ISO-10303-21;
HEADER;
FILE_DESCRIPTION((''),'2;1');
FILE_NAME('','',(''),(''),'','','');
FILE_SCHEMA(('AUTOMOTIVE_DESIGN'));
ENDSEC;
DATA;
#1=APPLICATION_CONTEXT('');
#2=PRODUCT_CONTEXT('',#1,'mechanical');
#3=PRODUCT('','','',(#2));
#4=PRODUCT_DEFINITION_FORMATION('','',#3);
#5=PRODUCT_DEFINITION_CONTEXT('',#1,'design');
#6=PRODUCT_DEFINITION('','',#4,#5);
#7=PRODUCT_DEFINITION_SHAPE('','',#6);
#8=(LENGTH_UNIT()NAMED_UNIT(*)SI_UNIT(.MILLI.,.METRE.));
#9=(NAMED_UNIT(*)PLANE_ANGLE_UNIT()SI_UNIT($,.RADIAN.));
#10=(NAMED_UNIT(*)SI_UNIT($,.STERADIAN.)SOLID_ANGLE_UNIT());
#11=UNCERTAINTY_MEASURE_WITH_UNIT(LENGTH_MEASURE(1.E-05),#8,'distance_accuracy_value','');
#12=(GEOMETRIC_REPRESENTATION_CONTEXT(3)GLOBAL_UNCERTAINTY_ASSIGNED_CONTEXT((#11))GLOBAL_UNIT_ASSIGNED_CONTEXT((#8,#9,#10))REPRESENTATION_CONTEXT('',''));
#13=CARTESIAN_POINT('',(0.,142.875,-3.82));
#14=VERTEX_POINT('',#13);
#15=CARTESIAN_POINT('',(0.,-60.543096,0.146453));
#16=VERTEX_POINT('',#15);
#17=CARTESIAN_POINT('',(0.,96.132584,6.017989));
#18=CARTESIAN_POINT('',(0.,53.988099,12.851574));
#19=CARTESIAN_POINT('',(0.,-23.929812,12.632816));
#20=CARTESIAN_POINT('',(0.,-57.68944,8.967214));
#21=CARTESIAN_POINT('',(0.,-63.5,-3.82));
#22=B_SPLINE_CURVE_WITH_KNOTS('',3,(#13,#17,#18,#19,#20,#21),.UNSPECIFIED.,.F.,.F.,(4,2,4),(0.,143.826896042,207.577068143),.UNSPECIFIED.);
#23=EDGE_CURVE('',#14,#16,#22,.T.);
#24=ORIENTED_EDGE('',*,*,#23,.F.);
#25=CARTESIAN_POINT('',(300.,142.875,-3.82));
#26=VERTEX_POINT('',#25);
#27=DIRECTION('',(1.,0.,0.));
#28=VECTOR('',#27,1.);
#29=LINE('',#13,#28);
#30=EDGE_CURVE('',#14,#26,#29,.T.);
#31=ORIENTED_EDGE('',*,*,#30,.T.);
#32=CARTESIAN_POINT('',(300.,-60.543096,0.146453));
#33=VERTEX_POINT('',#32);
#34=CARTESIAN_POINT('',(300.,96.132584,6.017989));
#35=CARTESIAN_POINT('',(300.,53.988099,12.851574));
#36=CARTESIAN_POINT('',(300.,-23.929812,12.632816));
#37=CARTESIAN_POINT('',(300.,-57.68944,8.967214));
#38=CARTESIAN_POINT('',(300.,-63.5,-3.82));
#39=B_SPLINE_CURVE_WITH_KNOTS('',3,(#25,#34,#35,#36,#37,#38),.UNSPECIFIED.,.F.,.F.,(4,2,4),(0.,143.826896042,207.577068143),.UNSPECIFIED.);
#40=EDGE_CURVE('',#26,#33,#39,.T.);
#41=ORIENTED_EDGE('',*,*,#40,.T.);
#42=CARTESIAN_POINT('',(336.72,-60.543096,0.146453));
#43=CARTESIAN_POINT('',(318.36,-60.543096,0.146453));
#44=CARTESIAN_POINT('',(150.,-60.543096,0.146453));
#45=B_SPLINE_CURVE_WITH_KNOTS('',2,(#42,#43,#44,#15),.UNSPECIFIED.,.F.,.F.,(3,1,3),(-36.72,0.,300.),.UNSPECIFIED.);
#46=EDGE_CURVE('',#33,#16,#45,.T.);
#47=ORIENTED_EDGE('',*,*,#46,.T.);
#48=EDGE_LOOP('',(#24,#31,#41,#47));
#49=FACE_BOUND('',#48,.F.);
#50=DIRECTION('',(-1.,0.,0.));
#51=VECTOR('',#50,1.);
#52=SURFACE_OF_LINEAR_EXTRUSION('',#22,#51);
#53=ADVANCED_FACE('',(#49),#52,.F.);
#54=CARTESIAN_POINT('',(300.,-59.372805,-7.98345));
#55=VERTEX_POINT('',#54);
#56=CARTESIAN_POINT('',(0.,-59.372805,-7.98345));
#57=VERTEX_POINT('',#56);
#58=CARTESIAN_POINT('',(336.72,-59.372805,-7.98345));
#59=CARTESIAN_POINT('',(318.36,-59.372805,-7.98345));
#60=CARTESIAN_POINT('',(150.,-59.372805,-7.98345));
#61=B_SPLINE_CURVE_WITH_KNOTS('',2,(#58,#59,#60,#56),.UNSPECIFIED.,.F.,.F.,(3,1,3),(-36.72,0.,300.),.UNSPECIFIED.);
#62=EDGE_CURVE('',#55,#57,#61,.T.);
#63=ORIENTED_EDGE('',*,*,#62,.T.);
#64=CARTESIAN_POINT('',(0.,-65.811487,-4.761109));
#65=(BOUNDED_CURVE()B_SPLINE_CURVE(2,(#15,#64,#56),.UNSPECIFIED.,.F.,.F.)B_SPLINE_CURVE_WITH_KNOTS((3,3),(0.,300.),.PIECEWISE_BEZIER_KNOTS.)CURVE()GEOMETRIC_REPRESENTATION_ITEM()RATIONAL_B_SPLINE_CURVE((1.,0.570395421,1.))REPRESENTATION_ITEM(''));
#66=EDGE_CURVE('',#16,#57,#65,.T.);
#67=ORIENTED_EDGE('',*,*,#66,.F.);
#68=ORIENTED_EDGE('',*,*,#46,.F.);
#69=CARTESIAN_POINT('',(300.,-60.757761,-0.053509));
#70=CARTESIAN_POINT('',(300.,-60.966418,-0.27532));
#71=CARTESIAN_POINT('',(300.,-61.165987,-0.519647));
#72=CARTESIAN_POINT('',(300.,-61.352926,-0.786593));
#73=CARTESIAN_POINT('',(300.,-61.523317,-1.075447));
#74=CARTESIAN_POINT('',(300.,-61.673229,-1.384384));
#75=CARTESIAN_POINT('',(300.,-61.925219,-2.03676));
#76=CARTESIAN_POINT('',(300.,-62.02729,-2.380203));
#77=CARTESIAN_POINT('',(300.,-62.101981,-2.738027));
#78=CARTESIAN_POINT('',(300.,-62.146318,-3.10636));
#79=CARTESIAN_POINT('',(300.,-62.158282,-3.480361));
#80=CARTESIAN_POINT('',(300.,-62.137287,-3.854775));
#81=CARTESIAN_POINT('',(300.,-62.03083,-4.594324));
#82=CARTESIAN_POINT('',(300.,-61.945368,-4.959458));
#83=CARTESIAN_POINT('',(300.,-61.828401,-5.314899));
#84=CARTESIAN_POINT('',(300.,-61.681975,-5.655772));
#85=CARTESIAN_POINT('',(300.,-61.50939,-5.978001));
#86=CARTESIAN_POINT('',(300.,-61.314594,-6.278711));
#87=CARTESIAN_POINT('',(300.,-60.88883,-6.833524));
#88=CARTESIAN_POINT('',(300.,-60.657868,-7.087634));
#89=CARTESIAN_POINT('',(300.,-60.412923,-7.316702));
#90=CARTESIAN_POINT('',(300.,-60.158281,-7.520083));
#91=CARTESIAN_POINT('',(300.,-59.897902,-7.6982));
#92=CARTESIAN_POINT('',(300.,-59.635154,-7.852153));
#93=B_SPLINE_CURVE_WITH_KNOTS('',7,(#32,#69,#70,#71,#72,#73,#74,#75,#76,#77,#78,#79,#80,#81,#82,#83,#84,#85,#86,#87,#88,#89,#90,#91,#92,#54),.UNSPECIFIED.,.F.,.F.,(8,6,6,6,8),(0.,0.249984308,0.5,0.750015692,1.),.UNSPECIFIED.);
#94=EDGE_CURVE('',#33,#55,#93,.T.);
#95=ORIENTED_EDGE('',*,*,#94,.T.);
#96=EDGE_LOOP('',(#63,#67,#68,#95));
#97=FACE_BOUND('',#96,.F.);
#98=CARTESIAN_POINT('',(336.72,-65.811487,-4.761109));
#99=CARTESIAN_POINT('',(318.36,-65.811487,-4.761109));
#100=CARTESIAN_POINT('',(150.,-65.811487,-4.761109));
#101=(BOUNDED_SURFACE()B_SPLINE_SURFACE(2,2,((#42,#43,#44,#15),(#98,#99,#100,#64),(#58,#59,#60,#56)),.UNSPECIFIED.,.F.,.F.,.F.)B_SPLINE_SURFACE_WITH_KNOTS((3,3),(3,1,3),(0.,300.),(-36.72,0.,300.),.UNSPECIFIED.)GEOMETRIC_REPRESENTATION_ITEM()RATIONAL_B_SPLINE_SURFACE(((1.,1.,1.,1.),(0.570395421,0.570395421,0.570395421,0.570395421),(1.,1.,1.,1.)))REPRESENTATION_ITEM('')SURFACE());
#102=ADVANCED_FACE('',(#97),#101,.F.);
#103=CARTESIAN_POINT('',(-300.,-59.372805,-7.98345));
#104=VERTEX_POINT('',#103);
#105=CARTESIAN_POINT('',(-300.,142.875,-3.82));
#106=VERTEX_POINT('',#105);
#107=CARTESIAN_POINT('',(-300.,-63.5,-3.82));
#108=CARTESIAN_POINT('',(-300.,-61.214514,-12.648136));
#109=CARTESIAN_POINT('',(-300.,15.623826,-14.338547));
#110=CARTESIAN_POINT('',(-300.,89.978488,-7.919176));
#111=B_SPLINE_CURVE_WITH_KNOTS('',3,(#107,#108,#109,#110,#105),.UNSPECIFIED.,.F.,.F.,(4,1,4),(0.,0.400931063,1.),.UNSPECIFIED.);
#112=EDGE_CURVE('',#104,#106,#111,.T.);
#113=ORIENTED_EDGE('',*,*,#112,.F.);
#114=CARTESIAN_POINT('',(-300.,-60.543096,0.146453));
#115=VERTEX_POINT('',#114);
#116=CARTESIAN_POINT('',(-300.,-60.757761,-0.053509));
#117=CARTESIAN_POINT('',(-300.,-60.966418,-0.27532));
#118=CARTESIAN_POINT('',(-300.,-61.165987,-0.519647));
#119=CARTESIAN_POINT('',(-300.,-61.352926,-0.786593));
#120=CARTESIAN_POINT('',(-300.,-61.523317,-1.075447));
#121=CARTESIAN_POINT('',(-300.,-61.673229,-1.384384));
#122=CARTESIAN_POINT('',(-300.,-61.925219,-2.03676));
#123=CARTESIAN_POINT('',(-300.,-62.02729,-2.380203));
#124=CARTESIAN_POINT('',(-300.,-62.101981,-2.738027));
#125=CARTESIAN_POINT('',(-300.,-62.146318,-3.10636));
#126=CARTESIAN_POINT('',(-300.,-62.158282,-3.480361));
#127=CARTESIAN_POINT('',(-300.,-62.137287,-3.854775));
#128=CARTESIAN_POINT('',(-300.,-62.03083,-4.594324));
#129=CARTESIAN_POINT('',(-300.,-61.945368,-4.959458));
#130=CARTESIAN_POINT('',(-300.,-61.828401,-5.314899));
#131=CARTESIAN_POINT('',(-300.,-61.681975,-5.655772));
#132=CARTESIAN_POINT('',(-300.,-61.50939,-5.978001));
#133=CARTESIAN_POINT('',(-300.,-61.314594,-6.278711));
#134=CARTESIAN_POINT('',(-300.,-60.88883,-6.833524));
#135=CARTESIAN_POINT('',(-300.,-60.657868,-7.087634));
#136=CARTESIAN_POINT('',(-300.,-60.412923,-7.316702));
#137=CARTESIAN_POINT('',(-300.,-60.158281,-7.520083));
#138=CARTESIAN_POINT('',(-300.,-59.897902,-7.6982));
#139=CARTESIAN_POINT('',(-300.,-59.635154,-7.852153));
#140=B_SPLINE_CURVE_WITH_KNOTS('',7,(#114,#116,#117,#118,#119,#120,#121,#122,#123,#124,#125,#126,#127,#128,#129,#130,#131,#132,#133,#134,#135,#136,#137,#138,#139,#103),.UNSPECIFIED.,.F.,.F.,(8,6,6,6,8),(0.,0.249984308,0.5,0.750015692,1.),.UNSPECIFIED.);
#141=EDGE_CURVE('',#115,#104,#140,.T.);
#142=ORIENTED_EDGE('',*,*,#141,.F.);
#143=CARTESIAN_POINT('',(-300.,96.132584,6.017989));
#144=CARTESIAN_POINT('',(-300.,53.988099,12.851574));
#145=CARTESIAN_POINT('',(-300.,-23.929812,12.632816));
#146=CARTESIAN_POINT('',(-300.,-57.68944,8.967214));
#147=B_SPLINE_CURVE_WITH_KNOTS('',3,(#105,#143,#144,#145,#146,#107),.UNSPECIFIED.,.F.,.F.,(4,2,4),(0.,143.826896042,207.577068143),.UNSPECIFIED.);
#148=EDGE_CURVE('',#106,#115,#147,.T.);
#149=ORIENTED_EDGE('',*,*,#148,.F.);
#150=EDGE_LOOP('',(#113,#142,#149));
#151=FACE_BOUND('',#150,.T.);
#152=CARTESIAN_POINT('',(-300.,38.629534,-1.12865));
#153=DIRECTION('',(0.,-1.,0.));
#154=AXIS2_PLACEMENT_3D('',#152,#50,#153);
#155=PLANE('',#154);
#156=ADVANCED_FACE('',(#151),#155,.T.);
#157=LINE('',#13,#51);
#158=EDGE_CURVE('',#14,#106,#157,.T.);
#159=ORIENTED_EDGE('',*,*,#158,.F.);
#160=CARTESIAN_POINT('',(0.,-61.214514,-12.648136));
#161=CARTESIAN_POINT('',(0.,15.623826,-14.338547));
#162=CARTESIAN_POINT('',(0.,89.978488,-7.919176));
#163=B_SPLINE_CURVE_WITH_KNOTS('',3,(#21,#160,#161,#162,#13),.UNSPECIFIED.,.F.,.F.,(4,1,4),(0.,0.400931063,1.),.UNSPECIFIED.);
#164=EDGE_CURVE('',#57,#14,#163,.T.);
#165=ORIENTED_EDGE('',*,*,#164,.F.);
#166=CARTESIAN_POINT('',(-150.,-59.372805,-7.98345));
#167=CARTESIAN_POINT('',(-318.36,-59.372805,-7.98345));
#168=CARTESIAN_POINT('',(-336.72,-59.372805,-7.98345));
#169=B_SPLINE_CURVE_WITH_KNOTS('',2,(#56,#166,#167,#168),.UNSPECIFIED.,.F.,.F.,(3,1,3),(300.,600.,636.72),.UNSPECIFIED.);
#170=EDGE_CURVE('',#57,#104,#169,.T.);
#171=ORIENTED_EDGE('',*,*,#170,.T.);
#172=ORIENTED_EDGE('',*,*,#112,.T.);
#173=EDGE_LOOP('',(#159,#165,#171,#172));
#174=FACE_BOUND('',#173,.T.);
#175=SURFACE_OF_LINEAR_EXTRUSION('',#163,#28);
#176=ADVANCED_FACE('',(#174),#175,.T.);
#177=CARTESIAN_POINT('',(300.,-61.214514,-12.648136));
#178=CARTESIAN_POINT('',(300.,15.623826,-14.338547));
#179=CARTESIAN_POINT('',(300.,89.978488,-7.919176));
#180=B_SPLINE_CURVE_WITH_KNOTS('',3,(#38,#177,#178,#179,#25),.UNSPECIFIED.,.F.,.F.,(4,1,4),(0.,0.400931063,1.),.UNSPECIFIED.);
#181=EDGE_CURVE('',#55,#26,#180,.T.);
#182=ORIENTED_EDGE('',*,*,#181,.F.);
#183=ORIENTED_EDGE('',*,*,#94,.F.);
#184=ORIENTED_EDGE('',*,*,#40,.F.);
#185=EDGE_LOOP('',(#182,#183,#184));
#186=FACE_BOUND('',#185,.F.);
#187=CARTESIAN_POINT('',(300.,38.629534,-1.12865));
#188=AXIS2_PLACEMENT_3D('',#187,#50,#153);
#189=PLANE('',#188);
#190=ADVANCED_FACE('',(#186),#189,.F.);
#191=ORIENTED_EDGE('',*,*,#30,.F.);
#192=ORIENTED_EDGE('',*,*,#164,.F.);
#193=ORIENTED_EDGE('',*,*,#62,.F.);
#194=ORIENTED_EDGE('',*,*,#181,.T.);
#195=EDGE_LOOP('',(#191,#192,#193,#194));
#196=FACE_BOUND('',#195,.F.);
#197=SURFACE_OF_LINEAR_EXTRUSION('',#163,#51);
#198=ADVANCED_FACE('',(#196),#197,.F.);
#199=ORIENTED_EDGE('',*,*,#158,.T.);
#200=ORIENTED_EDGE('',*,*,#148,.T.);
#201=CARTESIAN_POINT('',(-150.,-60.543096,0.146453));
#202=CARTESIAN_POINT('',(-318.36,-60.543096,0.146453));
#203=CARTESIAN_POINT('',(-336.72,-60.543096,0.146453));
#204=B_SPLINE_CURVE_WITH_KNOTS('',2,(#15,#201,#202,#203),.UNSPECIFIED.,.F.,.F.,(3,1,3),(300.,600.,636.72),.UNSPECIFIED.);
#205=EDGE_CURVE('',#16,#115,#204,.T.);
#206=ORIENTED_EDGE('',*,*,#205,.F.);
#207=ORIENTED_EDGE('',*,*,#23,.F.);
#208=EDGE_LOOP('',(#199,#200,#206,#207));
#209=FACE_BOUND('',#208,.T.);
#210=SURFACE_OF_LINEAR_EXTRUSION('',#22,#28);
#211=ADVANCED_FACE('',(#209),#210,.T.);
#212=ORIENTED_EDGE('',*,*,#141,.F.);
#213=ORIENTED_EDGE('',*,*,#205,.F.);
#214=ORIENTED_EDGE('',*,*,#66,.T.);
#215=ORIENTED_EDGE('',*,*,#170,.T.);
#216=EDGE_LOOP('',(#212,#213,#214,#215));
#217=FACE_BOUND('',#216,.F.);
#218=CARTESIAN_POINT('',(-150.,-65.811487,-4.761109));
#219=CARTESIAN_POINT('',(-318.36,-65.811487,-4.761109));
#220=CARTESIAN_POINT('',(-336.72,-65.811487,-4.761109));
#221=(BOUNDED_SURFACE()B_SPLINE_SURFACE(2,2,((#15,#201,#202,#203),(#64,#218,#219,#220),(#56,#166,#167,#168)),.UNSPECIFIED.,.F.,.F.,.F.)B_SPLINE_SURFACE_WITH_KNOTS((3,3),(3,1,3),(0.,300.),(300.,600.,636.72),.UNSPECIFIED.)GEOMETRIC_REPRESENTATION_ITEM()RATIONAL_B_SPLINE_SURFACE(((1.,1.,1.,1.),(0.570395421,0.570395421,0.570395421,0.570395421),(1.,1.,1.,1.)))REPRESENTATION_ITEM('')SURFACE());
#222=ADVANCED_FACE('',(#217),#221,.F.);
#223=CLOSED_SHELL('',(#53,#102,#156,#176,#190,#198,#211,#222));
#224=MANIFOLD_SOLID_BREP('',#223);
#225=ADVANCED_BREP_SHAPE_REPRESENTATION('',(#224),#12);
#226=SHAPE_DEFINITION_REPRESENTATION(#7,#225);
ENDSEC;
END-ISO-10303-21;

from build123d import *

# Parameters (mm, degrees)
F2_DEPTH = 300
F3_R     = 5


with BuildPart() as f2:
    # F1 (on Right) → F2 (new body, symmetric)
    with BuildSketch(Plane.YZ):
        with BuildLine():
            add(Edge.make_bspline(
                [(0, 12.7), (53.9880990982, 12.8515744582), (96.1325839162, 6.0179889969), (142.875, -3.82)],
                knots=[0, 0, 0, 0, 143.8268960417, 143.8268960417, 143.8268960417, 143.8268960417], degree=3))
            add(Edge.make_bspline(
                [(0, 12.7), (-23.9298121815, 12.6328157802), (-57.6894395053, 8.9672139828), (-63.5, -3.82)],
                knots=[0, 0, 0, 0, 65.613721126, 65.613721126, 65.613721126, 65.613721126], degree=3))
            add(Edge.make_bspline(
                [(-63.5, -3.82), (-61.2145140767, -12.648136355), (15.6238259808, -14.3385472386), (89.9784881596, -7.9191755216), (142.875, -3.82)],
                knots=[0, 0, 0, 0, 0.4009310626, 1, 1, 1, 1], degree=3))
        make_face()
    extrude(amount=F2_DEPTH, both=True)

    # F3
    f3_edges = [f2.edges().sort_by_distance(p)[0] for p in [
        (-150, -63.5, -3.82),
        (150, -63.5, -3.82),
    ]]
    fillet(f3_edges, radius=F3_R)


solid = f2.part
